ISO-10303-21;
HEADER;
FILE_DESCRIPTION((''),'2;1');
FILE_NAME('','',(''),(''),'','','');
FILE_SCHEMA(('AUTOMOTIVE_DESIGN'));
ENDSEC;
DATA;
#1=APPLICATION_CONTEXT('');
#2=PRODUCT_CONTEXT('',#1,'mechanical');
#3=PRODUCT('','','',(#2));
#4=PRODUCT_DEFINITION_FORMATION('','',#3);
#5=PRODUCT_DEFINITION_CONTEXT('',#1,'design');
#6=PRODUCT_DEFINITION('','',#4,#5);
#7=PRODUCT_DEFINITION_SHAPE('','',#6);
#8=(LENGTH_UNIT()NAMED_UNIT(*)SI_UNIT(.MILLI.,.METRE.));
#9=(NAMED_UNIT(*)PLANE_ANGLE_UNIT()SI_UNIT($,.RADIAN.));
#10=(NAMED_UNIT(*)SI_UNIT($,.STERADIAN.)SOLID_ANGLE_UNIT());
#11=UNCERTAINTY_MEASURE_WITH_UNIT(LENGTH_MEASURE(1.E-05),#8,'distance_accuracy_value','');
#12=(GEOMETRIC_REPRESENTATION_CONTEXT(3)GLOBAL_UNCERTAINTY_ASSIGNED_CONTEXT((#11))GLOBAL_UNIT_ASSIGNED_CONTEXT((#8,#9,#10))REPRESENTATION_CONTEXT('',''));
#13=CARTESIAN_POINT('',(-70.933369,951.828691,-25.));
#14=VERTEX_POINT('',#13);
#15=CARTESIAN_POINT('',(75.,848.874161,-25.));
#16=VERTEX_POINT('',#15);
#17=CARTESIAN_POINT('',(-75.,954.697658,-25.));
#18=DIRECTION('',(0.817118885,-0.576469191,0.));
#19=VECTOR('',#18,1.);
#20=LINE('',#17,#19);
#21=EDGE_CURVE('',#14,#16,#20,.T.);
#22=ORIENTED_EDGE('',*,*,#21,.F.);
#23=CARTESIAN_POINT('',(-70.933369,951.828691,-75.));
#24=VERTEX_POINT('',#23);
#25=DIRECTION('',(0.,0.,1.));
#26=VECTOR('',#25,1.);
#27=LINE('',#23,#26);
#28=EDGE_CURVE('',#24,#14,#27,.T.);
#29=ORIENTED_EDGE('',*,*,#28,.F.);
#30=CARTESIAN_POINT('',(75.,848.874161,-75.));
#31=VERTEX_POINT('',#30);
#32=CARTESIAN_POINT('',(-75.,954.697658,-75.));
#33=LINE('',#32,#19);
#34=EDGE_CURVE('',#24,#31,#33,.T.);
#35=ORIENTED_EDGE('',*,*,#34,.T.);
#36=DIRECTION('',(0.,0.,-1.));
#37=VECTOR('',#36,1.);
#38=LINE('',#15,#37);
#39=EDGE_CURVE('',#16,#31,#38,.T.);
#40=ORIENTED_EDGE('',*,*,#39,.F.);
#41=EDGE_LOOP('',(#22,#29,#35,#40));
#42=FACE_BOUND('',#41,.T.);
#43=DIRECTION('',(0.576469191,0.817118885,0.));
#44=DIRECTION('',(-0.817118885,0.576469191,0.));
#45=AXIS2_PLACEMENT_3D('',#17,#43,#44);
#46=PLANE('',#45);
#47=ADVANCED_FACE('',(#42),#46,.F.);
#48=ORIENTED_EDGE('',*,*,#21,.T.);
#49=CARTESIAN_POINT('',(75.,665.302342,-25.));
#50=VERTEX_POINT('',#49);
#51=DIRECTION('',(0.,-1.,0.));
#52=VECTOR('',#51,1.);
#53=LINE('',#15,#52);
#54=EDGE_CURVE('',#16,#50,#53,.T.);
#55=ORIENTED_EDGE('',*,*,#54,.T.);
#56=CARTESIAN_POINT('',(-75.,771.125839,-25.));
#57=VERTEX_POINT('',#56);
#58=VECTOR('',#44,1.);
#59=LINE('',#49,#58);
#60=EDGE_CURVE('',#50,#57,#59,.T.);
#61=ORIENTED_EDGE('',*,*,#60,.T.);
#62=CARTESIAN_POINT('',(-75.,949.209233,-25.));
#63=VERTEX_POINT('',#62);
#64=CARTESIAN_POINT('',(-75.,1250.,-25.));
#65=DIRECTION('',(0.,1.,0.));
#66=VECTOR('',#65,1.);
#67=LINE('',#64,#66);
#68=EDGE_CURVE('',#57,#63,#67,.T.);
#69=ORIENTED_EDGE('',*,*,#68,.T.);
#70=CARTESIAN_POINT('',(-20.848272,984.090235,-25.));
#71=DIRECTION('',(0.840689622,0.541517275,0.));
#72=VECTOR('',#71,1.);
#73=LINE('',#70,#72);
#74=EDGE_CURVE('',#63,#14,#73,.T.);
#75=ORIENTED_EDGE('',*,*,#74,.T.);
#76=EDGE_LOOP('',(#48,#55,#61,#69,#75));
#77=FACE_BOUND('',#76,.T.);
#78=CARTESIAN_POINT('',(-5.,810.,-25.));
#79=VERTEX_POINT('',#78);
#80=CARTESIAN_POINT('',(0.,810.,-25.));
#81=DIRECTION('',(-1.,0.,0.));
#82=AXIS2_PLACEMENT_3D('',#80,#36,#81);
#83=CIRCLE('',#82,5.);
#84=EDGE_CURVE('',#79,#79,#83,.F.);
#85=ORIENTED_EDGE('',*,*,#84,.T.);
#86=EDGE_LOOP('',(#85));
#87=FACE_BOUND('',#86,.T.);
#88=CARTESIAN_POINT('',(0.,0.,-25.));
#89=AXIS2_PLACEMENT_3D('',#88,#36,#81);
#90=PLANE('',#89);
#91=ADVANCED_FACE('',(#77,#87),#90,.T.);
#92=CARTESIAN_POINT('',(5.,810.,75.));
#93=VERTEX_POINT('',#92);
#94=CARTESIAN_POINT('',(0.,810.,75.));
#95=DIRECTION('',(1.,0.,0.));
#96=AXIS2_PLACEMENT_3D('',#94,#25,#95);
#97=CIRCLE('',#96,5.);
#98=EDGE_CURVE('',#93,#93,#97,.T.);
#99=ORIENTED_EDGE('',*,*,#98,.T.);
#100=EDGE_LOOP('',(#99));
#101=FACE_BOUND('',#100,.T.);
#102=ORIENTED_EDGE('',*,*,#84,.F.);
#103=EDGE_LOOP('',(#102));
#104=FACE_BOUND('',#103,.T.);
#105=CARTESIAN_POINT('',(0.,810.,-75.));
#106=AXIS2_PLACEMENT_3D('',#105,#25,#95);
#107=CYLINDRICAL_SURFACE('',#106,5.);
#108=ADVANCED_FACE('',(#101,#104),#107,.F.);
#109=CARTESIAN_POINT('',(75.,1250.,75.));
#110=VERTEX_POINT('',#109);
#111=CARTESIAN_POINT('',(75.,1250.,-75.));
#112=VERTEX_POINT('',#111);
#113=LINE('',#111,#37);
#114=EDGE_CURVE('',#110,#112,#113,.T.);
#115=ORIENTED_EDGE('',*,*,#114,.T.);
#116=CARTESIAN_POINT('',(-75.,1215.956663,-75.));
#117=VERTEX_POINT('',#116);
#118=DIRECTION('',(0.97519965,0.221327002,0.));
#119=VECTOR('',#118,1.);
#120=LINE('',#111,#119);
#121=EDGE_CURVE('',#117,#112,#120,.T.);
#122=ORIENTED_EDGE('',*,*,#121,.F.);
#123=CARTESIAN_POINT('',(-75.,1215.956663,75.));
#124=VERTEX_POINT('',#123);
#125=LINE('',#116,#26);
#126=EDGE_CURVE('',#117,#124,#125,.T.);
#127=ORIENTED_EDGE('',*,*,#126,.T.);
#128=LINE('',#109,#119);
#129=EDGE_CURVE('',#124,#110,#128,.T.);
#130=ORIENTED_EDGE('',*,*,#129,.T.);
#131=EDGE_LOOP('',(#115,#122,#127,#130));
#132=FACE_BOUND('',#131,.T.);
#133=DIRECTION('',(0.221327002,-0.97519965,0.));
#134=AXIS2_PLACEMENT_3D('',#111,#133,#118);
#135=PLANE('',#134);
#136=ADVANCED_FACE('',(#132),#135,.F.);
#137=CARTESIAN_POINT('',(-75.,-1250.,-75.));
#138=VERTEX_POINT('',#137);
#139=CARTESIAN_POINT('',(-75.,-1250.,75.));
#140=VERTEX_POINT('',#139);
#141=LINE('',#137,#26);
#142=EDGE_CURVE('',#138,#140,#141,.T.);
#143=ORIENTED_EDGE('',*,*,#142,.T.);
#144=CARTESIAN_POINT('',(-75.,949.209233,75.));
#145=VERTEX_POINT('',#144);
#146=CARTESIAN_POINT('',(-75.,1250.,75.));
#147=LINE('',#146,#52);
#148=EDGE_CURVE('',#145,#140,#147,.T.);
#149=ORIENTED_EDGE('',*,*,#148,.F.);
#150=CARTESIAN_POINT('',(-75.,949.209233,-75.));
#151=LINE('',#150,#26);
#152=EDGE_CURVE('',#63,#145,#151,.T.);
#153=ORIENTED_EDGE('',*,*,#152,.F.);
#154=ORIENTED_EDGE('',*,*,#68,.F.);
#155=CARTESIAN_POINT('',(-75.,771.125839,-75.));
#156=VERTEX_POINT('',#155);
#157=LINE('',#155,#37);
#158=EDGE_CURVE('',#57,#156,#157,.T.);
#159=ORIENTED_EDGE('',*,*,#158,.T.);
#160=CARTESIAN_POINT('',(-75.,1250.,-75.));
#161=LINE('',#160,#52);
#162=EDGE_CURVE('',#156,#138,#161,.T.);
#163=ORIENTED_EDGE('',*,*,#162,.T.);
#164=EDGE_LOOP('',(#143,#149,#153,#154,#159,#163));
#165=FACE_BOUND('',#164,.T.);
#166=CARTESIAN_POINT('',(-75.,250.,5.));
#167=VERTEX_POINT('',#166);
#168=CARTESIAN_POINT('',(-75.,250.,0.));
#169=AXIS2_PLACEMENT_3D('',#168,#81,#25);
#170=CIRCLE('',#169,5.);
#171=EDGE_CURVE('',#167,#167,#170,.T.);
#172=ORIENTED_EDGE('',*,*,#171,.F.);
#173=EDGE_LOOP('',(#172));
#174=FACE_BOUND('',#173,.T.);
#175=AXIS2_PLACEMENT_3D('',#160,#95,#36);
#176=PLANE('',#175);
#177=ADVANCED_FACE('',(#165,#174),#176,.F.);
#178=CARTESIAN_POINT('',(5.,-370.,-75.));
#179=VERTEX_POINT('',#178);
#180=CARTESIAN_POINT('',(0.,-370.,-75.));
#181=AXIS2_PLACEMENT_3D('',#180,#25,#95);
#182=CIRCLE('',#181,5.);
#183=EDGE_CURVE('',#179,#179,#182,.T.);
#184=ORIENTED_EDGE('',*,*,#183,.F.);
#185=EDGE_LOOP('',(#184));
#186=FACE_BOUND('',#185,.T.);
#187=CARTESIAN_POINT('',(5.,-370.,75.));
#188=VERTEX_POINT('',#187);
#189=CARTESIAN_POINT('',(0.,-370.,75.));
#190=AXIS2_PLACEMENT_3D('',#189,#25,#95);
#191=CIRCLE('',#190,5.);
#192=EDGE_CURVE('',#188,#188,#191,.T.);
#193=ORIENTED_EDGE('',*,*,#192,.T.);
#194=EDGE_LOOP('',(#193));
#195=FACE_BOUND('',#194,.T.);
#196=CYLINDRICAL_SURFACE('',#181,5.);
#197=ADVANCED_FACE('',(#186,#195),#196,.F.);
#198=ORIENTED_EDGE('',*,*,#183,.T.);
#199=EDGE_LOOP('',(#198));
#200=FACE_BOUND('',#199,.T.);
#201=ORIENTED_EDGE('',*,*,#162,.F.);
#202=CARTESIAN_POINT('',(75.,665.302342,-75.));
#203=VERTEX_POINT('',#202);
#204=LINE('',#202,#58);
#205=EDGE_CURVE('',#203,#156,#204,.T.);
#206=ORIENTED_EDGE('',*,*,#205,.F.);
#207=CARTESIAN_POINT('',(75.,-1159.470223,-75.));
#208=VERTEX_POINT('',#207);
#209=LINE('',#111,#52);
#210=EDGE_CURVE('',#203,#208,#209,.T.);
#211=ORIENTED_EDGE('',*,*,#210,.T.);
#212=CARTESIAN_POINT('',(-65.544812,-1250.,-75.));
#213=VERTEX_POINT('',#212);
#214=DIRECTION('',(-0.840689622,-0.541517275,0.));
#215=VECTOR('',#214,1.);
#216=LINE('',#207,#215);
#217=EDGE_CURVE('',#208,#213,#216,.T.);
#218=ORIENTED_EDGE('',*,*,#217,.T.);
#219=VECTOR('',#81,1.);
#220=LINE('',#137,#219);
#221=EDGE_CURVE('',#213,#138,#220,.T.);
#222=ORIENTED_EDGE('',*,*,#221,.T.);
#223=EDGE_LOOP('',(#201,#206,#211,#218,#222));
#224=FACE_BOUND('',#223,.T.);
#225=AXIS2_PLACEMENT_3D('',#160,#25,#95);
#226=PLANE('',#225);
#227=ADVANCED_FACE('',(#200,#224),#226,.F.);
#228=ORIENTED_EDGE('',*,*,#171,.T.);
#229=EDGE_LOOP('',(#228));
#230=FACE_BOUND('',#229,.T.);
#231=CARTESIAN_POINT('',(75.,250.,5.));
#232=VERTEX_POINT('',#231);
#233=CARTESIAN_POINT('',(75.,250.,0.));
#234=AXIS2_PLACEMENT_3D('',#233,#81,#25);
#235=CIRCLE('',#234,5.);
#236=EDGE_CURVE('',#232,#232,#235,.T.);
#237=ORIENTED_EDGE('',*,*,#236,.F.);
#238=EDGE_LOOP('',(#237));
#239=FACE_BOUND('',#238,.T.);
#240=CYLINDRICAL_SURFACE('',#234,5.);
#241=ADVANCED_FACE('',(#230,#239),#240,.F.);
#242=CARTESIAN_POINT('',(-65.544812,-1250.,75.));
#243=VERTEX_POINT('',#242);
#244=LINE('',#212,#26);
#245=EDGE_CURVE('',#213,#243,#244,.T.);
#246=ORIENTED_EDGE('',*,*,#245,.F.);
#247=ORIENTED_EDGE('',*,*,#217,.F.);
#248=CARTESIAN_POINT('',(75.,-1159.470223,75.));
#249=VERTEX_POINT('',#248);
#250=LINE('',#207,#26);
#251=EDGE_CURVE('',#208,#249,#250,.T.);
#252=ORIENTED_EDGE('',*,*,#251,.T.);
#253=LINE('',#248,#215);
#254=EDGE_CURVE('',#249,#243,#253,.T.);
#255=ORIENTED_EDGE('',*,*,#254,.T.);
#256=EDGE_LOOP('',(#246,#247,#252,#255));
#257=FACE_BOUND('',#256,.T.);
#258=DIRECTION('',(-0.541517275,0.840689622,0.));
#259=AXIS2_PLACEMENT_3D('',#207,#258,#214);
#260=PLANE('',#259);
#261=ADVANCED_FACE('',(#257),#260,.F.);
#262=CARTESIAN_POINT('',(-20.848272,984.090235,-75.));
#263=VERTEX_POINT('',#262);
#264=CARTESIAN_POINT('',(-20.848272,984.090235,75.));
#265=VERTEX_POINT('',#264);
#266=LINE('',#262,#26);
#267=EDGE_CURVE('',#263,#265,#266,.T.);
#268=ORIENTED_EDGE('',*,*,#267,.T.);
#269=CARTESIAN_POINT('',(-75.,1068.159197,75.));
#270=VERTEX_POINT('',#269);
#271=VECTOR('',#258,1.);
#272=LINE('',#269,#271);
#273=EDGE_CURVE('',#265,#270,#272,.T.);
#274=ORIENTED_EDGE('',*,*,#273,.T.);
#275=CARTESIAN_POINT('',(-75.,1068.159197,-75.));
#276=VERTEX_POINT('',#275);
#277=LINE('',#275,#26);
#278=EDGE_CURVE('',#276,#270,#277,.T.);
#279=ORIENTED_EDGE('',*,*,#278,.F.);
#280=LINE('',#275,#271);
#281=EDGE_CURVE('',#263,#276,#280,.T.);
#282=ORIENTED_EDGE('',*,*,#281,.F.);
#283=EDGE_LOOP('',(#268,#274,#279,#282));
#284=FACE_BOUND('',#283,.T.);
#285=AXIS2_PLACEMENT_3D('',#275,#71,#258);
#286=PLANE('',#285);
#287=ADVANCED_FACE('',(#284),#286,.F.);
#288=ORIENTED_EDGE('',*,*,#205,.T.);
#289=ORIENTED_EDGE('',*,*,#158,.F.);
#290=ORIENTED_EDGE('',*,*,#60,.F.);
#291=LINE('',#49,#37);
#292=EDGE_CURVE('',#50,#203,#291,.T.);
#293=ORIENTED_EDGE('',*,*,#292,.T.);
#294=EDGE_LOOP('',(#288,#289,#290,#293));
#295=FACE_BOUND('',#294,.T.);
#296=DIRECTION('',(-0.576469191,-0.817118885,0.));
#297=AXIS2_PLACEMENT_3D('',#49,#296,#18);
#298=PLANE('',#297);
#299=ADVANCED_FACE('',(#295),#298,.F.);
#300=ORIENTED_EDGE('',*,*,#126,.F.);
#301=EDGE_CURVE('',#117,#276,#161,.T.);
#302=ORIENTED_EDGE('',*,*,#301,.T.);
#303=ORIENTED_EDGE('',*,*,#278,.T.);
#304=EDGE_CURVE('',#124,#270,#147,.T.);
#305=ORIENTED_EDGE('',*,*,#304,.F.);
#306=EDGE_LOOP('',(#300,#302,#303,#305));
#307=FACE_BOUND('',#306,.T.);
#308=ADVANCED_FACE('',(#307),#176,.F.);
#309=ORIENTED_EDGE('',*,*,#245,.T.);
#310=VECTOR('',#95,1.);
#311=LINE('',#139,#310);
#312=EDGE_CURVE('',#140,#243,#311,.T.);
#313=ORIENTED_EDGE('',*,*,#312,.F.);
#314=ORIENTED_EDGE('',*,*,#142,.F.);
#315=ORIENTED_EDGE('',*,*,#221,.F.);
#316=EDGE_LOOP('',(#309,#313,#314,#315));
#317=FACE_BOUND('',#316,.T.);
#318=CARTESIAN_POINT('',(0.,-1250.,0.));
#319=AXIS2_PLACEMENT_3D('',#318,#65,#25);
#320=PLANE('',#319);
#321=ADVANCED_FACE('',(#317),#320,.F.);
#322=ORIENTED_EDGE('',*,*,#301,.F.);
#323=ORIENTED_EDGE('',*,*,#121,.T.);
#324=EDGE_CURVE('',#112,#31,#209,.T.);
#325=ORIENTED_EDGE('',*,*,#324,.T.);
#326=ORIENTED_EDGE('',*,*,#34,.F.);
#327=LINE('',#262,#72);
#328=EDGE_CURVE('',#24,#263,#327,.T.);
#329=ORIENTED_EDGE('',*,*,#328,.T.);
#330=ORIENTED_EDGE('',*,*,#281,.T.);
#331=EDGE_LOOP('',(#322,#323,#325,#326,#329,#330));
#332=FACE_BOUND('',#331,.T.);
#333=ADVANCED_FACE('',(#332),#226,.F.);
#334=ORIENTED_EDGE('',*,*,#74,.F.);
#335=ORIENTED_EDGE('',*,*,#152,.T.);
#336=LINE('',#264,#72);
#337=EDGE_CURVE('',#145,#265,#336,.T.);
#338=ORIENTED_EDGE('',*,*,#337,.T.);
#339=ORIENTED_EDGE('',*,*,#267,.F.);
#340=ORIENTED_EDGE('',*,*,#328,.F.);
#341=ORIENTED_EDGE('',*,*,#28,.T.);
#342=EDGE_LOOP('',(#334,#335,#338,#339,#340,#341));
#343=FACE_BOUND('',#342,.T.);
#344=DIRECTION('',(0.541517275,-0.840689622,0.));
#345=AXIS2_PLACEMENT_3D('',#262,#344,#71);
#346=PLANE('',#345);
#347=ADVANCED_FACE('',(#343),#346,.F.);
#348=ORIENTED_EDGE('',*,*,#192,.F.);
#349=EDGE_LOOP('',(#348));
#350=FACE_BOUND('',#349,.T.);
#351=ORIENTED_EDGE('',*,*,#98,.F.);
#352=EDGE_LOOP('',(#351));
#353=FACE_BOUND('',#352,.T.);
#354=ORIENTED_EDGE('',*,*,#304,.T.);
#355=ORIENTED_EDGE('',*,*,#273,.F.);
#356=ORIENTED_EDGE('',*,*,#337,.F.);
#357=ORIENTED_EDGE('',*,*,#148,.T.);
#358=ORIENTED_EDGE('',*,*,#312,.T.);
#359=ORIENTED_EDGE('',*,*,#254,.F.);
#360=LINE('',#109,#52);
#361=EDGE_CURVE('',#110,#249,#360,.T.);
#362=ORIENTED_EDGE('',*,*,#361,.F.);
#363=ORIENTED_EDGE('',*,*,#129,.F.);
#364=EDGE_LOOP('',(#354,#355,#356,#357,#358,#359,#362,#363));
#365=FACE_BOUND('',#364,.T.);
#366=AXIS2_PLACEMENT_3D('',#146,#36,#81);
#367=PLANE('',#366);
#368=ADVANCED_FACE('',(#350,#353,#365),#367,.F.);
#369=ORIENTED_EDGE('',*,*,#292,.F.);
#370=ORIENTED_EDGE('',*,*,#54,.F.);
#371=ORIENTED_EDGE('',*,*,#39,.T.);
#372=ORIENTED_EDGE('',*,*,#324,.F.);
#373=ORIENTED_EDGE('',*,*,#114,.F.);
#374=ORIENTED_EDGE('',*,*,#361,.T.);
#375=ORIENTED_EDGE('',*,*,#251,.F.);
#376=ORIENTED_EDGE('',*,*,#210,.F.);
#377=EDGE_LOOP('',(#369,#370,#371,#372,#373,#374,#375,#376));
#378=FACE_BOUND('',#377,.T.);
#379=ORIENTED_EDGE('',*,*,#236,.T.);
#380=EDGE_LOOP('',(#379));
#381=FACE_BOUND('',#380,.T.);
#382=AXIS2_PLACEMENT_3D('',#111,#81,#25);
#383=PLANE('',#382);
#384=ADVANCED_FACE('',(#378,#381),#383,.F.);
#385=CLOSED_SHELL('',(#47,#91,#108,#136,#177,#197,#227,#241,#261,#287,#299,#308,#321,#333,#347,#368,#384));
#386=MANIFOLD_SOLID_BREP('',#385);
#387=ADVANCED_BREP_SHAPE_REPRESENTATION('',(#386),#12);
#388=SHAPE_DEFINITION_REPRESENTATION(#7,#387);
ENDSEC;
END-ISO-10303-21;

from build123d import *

# Parameters (mm, degrees)
SKETCH1_W           = 150
SKETCH1_H           = 150
BOSS_EXTRUDE1_DEPTH = 1250
SKETCH2_R           = 5
BOLTS_DEPTH         = 1262.199825563
TOPCUT_DEPTH        = 1262.199825563
ROOFCUT_DEPTH       = 1262.199825563
CUT_EXTRUDE4_DEPTH  = 1262.199825563
SKETCH6_R           = 5
CUT_EXTRUDE5_DEPTH  = 1262.199825563
CUT_EXTRUDE6_DEPTH  = 50


with BuildPart() as part:
    # Sketch1 → Boss-Extrude1 (new, symmetric)
    with BuildSketch(Plane(origin=(0, 0, 0), x_dir=(1, 0, 0), z_dir=(0, 1, 0))):
        Rectangle(SKETCH1_W, SKETCH1_H)
    extrude(amount=BOSS_EXTRUDE1_DEPTH, both=True)

    # Sketch2 → Bolts (cut, through all)
    with BuildSketch(Plane.XY.offset(75)):
        with Locations((0, 810)):
            Circle(SKETCH2_R)
        with Locations((0, -370)):
            Circle(SKETCH2_R)
    extrude(amount=-BOLTS_DEPTH, mode=Mode.SUBTRACT)

    # Sketch3 → TopCut (cut, through all)
    with BuildSketch(Plane.XY.offset(75)):
        Polygon((-75, 1068.159196847), (-20.84827249, 984.090234633), (-75, 949.20923319), align=None)
    extrude(amount=-TOPCUT_DEPTH, mode=Mode.SUBTRACT)

    # Sketch4 → RoofCut (cut, through all)
    with BuildSketch(Plane.XY.offset(75)):
        Polygon((75, 1250), (-75, 1215.956662981), (-75, 1250), align=None)
    extrude(amount=-ROOFCUT_DEPTH, mode=Mode.SUBTRACT)

    # Sketch5 → Cut-Extrude4 (cut, through all)
    with BuildSketch(Plane.XY.offset(75)):
        Polygon((75, -1159.47022319), (-65.544812434, -1250), (75, -1250), align=None)
    extrude(amount=-CUT_EXTRUDE4_DEPTH, mode=Mode.SUBTRACT)

    # Sketch6 → Cut-Extrude5 (cut, through all)
    with BuildSketch(Plane.ZY.offset(75)):
        with Locations((0, 250)):
            Circle(SKETCH6_R)
    extrude(amount=-CUT_EXTRUDE5_DEPTH, mode=Mode.SUBTRACT)

    # Sketch7 → Cut-Extrude6 (cut)
    with BuildSketch(Plane(origin=(0, 0, -75), x_dir=(-1, 0, 0), z_dir=(0, 0, -1))):
        Polygon((-75, 665.302341615), (75.500489844, 771.478930046), (75, 954.697658385), (-75, 848.874160527), align=None)
    extrude(amount=-CUT_EXTRUDE6_DEPTH, mode=Mode.SUBTRACT)


solid = part.part
